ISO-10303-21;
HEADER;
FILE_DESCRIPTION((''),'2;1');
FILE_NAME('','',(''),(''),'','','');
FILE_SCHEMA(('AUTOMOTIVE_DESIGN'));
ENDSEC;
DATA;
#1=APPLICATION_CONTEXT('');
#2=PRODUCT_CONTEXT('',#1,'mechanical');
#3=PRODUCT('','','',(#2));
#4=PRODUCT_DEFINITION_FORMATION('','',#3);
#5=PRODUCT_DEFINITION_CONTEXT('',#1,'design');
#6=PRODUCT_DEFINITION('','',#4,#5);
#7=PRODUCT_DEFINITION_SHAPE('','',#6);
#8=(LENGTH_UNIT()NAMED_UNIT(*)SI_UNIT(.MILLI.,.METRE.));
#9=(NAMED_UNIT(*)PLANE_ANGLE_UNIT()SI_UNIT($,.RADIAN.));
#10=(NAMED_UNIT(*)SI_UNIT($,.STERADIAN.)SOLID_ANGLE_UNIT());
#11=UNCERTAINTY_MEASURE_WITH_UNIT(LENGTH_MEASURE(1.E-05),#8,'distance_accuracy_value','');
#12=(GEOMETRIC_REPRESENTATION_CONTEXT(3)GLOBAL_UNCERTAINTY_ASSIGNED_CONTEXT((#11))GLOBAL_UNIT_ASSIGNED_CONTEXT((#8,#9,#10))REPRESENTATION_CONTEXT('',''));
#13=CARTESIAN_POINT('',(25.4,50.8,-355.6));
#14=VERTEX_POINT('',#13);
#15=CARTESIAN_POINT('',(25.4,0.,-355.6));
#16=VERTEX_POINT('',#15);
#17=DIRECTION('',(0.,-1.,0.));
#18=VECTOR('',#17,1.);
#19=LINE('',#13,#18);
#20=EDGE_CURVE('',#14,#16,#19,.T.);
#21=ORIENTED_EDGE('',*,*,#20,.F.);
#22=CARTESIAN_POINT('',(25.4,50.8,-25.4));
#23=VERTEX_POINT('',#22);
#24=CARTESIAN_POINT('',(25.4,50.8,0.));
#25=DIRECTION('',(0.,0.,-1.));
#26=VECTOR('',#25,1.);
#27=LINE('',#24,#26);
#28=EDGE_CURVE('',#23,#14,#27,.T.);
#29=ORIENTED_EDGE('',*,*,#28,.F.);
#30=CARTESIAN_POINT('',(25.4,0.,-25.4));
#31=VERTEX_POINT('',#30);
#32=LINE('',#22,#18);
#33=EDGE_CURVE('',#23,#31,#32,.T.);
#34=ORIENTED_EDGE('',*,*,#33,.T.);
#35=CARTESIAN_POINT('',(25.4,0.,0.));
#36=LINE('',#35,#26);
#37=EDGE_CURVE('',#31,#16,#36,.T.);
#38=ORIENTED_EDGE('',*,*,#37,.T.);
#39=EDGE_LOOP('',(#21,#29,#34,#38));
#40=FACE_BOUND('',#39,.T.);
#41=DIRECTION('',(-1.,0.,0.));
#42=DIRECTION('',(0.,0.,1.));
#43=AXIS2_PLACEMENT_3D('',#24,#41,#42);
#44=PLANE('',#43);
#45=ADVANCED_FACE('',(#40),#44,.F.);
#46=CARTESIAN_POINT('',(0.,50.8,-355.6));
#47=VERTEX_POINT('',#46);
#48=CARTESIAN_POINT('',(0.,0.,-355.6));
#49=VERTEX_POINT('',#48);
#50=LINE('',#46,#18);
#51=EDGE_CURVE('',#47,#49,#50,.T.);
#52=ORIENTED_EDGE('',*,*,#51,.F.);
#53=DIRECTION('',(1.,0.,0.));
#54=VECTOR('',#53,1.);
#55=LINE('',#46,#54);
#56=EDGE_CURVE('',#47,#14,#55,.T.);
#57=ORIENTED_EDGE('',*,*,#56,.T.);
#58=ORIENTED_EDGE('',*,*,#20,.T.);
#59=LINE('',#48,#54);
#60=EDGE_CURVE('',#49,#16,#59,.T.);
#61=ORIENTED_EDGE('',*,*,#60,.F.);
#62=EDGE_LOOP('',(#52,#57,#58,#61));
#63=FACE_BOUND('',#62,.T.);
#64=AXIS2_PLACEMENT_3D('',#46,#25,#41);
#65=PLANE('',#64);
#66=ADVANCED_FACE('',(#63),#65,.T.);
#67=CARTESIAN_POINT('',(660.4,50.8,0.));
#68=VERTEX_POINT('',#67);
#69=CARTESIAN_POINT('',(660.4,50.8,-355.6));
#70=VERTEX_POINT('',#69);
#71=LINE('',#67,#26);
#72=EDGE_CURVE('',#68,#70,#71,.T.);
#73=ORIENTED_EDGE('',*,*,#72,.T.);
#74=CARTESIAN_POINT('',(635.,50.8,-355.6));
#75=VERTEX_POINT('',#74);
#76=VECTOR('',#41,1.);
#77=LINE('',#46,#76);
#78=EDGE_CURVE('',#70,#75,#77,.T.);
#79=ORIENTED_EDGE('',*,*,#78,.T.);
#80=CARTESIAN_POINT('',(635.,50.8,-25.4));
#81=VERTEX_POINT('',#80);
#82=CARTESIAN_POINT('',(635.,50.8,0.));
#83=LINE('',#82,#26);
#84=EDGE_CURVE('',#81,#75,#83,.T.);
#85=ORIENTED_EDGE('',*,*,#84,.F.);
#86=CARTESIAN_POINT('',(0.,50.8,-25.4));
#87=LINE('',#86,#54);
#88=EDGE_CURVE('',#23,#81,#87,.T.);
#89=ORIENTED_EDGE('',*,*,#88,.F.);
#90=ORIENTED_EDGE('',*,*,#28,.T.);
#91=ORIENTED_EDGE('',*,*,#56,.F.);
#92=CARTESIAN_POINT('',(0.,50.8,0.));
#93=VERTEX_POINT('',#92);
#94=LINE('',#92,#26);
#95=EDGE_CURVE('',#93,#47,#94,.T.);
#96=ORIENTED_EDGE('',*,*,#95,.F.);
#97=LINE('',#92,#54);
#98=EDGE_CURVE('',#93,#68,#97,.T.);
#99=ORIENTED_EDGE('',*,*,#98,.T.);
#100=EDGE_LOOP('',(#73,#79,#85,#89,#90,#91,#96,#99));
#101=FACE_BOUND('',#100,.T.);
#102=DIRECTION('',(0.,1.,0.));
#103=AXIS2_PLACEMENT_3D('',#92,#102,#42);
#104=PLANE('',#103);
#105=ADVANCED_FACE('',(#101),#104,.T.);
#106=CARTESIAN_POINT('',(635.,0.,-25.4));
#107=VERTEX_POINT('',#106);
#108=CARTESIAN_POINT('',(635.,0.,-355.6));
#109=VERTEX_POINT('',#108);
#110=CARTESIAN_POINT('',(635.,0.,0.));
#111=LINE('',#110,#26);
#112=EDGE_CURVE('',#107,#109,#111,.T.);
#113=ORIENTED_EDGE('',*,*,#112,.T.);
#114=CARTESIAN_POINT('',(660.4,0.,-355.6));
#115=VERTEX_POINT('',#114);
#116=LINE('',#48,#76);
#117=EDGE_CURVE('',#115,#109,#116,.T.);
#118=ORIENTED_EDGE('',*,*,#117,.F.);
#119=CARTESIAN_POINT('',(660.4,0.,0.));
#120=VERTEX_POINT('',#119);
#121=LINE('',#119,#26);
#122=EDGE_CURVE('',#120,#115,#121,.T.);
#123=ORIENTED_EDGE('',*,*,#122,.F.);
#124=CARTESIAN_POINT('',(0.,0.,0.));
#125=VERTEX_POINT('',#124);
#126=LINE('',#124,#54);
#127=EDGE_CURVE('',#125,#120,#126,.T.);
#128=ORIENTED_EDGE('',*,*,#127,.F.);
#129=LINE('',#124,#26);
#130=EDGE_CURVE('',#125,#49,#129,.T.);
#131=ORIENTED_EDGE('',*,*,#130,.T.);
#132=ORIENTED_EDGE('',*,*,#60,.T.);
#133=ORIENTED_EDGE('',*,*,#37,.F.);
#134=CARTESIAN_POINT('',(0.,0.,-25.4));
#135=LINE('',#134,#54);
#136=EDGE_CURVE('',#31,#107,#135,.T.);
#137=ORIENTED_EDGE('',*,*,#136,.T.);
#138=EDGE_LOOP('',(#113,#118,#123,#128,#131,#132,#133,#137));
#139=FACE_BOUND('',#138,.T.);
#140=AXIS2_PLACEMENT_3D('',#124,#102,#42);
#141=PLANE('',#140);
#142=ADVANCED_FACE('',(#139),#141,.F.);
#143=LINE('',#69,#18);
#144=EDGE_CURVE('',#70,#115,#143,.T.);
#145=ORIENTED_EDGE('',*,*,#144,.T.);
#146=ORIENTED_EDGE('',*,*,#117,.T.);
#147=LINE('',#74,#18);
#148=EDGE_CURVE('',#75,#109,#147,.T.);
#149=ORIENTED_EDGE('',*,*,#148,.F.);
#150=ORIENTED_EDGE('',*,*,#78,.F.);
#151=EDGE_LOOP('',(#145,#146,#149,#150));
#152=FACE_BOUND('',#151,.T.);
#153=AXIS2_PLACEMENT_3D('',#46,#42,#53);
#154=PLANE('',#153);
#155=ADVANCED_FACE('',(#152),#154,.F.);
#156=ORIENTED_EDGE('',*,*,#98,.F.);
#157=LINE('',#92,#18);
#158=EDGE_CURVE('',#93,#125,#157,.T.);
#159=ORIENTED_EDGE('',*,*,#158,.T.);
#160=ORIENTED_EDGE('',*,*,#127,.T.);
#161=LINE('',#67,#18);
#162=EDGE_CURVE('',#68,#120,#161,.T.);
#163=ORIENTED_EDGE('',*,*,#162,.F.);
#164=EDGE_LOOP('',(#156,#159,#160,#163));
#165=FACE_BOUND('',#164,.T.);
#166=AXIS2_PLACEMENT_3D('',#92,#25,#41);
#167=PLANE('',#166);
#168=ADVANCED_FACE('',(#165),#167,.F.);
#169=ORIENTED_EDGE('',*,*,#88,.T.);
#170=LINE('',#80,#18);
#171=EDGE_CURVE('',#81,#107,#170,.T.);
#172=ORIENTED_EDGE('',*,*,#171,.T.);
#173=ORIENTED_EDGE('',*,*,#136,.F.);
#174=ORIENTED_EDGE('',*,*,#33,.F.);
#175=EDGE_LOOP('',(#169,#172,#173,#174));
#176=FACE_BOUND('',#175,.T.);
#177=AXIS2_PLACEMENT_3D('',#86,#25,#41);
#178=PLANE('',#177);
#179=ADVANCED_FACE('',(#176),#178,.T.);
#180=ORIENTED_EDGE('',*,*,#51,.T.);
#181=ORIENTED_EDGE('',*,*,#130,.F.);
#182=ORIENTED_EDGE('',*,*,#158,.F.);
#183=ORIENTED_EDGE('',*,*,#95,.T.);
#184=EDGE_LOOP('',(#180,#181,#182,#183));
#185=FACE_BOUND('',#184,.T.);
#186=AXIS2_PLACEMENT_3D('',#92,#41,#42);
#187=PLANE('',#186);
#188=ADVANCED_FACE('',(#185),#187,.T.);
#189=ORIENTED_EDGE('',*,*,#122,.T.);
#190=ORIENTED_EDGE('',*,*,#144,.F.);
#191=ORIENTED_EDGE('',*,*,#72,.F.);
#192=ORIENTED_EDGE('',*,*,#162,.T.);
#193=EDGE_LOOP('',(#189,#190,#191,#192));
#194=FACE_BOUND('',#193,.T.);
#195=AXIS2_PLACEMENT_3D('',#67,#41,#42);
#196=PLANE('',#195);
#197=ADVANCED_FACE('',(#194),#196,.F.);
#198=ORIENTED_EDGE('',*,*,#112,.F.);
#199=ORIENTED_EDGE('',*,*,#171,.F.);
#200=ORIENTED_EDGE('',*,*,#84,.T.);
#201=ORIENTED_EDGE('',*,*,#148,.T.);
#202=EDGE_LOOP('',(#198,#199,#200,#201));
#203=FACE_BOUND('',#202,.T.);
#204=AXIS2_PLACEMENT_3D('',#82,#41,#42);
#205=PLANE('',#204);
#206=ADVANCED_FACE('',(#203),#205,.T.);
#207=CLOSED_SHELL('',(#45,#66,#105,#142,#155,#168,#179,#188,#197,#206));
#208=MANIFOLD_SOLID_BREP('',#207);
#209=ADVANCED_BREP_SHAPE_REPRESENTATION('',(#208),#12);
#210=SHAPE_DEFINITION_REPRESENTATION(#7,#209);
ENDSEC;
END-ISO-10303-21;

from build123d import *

# Parameters (mm, degrees)
BOSS_EXTRUDE1_DEPTH = 50.8


with BuildPart() as part:
    # Sketch1 → Boss-Extrude1 (new body)
    with BuildSketch(Plane(origin=(0, 0, 0), x_dir=(1, 0, 0), z_dir=(0, 1, 0))):
        Polygon((0, 25.4), (0, 0), (25.4, 0), (635, 0), (660.4, 0), (660.4, 25.4), (660.4, 355.6), (635, 355.6), (635, 339.647639714), (635, 25.4), (494.394032606, 25.4), (463.482544236, 25.4), (196.917455764, 25.4), (166.005967394, 25.4), (25.4, 25.4), (25.4, 339.647639714), (25.4, 355.6), (0, 355.6), align=None)
    extrude(amount=BOSS_EXTRUDE1_DEPTH)


solid = part.part
